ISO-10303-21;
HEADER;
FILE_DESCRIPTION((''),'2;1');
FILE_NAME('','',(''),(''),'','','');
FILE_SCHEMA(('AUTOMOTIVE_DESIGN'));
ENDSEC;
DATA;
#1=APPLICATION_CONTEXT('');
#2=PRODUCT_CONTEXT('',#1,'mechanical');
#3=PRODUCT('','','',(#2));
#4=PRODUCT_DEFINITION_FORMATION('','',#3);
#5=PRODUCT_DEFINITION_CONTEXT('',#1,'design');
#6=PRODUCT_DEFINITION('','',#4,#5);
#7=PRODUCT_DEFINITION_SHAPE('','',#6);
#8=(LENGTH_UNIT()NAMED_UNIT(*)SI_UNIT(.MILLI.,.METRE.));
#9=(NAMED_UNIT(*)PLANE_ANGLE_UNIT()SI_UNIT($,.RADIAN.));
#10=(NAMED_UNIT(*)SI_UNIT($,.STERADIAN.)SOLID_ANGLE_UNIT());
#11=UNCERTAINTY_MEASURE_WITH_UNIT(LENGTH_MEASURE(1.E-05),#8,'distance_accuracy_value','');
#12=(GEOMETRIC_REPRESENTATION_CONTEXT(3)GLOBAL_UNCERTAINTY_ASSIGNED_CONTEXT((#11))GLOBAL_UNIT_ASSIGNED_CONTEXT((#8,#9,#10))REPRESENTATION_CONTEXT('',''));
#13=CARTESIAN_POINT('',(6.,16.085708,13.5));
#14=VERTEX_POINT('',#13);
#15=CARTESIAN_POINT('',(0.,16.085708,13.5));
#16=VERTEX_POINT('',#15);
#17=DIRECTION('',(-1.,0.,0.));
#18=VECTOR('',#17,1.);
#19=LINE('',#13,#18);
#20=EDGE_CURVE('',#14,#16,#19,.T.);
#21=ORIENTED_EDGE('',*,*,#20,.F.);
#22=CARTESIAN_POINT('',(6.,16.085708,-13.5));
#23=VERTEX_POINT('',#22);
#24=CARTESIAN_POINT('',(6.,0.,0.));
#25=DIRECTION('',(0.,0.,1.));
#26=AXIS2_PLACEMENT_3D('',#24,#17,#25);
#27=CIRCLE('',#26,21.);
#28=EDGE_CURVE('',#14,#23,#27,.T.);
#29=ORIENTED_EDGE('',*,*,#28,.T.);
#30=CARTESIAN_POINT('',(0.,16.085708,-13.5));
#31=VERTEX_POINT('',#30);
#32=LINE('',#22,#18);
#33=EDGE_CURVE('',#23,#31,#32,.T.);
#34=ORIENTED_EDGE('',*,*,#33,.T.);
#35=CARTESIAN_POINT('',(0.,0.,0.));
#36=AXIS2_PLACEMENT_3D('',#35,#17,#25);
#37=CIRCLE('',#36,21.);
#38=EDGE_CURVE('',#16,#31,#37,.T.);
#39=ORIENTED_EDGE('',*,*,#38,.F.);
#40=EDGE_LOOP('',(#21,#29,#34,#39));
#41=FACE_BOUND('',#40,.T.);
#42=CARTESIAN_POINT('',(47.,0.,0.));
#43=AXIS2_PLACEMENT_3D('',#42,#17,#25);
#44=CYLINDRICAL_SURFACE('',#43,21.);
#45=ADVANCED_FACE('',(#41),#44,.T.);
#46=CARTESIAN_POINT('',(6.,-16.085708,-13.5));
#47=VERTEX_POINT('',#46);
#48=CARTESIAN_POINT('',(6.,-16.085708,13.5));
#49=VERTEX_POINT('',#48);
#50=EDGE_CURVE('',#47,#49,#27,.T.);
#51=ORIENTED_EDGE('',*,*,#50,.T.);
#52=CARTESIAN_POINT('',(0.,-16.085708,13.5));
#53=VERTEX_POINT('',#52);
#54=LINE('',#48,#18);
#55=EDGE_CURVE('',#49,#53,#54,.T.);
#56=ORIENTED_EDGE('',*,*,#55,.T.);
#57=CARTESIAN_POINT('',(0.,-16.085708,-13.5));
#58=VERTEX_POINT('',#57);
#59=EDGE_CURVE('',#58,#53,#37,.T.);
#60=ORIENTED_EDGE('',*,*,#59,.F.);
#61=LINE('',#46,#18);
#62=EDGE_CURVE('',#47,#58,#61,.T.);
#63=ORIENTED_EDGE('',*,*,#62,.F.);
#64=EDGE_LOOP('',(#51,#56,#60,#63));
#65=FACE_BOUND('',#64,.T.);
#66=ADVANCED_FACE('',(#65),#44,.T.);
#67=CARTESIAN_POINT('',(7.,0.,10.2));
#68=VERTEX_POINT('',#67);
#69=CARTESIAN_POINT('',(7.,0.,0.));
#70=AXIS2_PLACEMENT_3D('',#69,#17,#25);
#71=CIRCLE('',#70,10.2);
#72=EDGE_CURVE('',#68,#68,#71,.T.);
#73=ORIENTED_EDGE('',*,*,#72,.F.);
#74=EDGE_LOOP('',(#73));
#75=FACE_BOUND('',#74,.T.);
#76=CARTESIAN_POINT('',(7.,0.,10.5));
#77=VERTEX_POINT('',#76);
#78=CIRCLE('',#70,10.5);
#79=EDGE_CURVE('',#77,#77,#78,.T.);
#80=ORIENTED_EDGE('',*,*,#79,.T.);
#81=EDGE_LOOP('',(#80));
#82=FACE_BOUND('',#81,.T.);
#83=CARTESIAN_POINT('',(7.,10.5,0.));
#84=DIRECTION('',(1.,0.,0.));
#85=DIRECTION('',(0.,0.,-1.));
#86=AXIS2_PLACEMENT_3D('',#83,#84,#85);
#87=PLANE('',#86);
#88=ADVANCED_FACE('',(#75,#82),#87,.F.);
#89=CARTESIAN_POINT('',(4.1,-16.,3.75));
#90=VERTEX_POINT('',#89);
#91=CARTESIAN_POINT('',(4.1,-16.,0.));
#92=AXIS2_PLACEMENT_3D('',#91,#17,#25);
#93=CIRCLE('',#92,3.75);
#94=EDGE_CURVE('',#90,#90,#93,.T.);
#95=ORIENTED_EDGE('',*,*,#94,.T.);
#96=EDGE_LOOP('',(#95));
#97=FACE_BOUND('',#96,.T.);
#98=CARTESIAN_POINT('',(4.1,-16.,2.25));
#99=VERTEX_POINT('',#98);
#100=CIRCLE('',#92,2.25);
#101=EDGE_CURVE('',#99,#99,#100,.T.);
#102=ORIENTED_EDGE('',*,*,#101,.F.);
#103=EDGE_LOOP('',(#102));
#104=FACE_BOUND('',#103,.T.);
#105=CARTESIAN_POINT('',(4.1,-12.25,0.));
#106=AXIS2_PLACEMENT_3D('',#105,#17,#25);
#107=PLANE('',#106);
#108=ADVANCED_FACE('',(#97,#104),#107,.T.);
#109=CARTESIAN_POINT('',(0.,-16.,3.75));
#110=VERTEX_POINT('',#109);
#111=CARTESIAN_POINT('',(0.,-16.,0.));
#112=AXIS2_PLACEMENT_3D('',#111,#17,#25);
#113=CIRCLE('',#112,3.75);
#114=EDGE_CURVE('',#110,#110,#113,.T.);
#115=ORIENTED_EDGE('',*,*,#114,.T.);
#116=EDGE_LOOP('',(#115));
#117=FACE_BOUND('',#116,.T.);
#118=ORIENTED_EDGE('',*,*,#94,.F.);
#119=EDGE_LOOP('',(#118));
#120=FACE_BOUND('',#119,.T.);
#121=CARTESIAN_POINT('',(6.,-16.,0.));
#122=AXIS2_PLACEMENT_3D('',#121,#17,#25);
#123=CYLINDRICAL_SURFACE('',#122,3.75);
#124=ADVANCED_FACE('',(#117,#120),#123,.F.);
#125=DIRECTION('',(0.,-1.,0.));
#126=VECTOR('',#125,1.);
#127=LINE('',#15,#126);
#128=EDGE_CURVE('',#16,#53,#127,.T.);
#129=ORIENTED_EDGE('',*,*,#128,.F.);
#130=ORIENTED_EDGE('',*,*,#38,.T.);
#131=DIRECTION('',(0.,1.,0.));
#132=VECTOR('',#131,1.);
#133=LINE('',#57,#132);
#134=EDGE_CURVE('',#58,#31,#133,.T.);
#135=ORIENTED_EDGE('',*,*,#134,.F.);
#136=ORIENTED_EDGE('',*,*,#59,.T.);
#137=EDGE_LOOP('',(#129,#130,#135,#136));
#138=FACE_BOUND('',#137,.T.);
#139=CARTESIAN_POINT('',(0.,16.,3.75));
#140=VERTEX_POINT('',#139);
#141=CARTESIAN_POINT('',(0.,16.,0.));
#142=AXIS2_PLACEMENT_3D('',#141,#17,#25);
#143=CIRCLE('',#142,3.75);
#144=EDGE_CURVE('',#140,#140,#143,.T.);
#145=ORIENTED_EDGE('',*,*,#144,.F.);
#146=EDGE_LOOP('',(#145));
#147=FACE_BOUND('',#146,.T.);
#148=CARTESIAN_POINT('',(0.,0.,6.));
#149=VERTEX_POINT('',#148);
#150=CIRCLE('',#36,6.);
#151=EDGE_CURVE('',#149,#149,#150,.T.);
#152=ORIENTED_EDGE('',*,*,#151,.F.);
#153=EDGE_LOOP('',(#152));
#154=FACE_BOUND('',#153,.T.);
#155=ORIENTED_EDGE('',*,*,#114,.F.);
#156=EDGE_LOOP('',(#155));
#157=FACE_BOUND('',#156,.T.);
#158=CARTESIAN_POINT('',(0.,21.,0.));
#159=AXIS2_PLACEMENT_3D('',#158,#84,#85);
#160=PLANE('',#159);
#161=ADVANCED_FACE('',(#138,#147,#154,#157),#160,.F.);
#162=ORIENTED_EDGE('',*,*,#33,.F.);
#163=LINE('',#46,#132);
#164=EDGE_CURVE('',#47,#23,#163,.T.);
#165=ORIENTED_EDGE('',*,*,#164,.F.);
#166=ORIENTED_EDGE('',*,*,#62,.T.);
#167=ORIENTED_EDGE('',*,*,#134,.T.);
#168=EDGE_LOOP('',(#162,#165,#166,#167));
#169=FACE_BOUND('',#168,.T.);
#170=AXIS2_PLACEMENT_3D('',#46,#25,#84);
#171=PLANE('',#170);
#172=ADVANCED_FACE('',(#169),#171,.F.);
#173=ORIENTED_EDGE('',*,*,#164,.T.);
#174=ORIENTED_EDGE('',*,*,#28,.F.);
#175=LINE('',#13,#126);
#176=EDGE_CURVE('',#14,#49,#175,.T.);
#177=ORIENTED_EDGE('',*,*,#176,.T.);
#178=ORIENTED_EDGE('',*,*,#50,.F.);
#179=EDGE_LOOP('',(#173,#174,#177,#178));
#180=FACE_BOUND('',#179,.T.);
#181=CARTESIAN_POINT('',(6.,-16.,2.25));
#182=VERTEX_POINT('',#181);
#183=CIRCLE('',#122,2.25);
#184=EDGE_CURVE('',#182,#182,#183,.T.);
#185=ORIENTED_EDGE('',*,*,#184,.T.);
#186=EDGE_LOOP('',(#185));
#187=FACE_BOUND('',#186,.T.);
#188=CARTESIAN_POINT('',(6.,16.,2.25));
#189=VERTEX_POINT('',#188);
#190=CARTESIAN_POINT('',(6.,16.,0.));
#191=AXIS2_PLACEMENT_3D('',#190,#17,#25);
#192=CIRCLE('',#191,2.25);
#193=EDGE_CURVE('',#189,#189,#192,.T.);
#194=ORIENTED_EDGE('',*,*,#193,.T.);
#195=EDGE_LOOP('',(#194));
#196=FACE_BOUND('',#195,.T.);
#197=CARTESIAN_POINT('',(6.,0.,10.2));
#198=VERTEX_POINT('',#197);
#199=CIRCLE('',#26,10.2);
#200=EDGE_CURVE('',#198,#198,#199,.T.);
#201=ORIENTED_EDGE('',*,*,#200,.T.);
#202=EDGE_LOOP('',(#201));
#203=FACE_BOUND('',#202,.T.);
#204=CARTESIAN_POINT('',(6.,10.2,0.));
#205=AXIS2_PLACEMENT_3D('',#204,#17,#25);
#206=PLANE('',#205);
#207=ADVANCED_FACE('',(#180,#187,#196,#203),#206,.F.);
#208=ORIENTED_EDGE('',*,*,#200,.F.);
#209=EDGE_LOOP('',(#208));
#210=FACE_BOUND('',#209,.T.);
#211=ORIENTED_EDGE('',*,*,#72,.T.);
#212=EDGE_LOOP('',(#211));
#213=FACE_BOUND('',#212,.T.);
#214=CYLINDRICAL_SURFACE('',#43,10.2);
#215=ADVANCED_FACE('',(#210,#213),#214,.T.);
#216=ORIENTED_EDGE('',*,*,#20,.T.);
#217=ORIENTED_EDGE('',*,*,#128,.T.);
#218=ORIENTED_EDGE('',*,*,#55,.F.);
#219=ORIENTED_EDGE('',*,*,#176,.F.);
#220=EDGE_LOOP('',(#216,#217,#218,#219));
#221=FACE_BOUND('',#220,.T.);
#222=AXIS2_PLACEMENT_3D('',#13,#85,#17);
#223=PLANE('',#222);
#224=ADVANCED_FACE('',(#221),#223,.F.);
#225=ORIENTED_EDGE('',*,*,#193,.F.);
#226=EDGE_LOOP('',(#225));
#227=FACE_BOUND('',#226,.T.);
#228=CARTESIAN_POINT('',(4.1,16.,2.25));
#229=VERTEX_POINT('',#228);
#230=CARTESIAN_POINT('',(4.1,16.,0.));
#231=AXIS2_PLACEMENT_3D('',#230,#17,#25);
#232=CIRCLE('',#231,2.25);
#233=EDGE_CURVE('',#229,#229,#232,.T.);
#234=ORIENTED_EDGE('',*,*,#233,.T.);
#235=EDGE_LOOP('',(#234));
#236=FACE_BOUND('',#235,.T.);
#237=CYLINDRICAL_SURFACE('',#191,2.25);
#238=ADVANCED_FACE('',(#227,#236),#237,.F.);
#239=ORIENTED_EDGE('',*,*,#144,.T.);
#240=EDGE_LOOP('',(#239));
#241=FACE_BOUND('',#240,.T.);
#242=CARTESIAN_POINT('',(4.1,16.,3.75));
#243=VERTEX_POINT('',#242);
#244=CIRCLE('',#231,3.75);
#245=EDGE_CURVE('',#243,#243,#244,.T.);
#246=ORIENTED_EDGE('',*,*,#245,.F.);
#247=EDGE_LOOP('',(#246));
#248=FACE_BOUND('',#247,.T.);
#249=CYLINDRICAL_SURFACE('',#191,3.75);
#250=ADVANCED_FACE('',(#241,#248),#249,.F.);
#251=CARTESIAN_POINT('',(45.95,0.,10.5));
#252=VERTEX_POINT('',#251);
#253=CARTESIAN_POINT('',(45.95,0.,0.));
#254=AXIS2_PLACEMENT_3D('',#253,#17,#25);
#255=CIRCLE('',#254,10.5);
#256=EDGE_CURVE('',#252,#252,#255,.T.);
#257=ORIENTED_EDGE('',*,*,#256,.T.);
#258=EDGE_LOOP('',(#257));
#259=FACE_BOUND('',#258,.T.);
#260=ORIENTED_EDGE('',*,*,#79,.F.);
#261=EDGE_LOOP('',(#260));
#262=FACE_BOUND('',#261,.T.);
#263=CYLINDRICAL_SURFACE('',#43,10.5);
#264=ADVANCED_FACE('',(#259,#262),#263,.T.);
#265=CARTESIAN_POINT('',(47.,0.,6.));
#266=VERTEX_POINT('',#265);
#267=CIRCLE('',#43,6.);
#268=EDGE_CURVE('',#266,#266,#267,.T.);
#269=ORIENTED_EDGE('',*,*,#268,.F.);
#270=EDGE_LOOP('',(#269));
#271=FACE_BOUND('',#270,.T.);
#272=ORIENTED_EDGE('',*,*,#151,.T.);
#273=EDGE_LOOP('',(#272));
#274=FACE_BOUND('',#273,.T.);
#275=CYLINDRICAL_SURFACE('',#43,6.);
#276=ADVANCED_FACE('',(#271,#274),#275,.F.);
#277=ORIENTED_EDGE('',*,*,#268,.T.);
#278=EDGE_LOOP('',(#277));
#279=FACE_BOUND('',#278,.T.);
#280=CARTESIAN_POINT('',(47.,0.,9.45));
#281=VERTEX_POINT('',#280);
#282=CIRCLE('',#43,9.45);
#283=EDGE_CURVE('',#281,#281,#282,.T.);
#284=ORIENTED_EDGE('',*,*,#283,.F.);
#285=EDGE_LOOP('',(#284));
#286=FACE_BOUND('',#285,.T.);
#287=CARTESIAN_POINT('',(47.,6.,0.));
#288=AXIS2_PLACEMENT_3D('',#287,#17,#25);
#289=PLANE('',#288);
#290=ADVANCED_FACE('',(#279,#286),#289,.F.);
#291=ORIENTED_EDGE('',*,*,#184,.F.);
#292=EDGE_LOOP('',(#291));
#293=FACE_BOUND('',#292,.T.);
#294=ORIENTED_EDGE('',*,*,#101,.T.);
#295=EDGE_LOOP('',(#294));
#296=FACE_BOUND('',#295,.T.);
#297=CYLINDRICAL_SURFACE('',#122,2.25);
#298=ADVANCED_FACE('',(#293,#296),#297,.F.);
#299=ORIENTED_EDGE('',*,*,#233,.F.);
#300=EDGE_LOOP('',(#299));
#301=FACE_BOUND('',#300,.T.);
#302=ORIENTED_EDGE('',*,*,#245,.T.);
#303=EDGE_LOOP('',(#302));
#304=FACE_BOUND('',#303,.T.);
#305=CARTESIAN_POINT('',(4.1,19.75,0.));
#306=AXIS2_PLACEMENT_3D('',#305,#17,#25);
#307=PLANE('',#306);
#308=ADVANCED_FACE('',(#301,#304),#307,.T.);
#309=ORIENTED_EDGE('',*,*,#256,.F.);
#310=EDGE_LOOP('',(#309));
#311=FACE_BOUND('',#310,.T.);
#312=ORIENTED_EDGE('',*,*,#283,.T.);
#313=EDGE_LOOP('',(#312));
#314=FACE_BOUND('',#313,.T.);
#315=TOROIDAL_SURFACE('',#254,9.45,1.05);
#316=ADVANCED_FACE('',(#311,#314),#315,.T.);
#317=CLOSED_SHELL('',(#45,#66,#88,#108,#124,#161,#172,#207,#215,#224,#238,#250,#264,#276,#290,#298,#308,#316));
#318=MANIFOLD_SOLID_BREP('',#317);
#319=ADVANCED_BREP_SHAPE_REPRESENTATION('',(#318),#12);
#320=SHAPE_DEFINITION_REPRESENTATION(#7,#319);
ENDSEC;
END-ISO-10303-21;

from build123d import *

# Parameters (mm, degrees)
SKETCH2_W          = 84
SKETCH2_H          = 84
CUT_EXTRUDE1_DEPTH = 6


with BuildPart() as part:
    # Sketch1 → Revolve1 (revolve)
    with BuildSketch(Plane.XY, mode=Mode.PRIVATE) as revolve1_sk:
        with BuildLine():
            Line((0, 21), (0, 6))
            Line((0, 6), (47, 6))
            Line((47, 6), (47, 9.45))
            ThreePointArc((47, 9.45), (46.69246212, 10.19246212), (45.95, 10.5))
            Line((45.95, 10.5), (7, 10.5))
            Line((7, 10.5), (7, 10.2))
            Line((7, 10.2), (6, 10.2))
            Line((6, 10.2), (6, 21))
            Line((6, 21), (0, 21))
        make_face()
    revolve(revolve1_sk.sketch.rotate(Axis((47, 0, 0), (-1, 0, 0)), 270), axis=Axis((47, 0, 0), (-1, 0, 0)))

    # Sketch2 → Cut-Extrude1 (cut)
    with BuildSketch(Plane(origin=(0, 0, 0), x_dir=(0, 0, -1), z_dir=(1, 0, 0))):
        Rectangle(SKETCH2_W, SKETCH2_H)
        with BuildLine():
            Line((13.5, -16.085707942), (13.5, 16.085707942))
            ThreePointArc((13.5, 16.085707942), (0, 21), (-13.5, 16.085707942))
            Line((-13.5, 16.085707942), (-13.5, -16.085707942))
            ThreePointArc((-13.5, -16.085707942), (0, -21), (13.5, -16.085707942))
        make_face(mode=Mode.SUBTRACT)
    extrude(amount=CUT_EXTRUDE1_DEPTH, mode=Mode.SUBTRACT)

    # Sketch3 → Cut-Revolve1 (revolve, cut)
    with BuildSketch(Plane.XY, mode=Mode.PRIVATE) as cut_revolve1_sk:
        Polygon((0, 16), (0, 19.75), (4.1, 19.75), (4.1, 18.25), (6, 18.25), (6, 16), align=None)
    revolve(cut_revolve1_sk.sketch.rotate(Axis((6, 16, 0), (-1, 0, 0)), 270), axis=Axis((6, 16, 0), (-1, 0, 0)), mode=Mode.SUBTRACT)

    # Sketch4 → Cut-Revolve2 (revolve, cut)
    with BuildSketch(Plane.XY, mode=Mode.PRIVATE) as cut_revolve2_sk:
        Polygon((0, -16), (0, -12.25), (4.1, -12.25), (4.1, -13.75), (6, -13.75), (6, -16), align=None)
    revolve(cut_revolve2_sk.sketch.rotate(Axis((6, -16, 0), (-1, 0, 0)), 270), axis=Axis((6, -16, 0), (-1, 0, 0)), mode=Mode.SUBTRACT)


solid = part.part
